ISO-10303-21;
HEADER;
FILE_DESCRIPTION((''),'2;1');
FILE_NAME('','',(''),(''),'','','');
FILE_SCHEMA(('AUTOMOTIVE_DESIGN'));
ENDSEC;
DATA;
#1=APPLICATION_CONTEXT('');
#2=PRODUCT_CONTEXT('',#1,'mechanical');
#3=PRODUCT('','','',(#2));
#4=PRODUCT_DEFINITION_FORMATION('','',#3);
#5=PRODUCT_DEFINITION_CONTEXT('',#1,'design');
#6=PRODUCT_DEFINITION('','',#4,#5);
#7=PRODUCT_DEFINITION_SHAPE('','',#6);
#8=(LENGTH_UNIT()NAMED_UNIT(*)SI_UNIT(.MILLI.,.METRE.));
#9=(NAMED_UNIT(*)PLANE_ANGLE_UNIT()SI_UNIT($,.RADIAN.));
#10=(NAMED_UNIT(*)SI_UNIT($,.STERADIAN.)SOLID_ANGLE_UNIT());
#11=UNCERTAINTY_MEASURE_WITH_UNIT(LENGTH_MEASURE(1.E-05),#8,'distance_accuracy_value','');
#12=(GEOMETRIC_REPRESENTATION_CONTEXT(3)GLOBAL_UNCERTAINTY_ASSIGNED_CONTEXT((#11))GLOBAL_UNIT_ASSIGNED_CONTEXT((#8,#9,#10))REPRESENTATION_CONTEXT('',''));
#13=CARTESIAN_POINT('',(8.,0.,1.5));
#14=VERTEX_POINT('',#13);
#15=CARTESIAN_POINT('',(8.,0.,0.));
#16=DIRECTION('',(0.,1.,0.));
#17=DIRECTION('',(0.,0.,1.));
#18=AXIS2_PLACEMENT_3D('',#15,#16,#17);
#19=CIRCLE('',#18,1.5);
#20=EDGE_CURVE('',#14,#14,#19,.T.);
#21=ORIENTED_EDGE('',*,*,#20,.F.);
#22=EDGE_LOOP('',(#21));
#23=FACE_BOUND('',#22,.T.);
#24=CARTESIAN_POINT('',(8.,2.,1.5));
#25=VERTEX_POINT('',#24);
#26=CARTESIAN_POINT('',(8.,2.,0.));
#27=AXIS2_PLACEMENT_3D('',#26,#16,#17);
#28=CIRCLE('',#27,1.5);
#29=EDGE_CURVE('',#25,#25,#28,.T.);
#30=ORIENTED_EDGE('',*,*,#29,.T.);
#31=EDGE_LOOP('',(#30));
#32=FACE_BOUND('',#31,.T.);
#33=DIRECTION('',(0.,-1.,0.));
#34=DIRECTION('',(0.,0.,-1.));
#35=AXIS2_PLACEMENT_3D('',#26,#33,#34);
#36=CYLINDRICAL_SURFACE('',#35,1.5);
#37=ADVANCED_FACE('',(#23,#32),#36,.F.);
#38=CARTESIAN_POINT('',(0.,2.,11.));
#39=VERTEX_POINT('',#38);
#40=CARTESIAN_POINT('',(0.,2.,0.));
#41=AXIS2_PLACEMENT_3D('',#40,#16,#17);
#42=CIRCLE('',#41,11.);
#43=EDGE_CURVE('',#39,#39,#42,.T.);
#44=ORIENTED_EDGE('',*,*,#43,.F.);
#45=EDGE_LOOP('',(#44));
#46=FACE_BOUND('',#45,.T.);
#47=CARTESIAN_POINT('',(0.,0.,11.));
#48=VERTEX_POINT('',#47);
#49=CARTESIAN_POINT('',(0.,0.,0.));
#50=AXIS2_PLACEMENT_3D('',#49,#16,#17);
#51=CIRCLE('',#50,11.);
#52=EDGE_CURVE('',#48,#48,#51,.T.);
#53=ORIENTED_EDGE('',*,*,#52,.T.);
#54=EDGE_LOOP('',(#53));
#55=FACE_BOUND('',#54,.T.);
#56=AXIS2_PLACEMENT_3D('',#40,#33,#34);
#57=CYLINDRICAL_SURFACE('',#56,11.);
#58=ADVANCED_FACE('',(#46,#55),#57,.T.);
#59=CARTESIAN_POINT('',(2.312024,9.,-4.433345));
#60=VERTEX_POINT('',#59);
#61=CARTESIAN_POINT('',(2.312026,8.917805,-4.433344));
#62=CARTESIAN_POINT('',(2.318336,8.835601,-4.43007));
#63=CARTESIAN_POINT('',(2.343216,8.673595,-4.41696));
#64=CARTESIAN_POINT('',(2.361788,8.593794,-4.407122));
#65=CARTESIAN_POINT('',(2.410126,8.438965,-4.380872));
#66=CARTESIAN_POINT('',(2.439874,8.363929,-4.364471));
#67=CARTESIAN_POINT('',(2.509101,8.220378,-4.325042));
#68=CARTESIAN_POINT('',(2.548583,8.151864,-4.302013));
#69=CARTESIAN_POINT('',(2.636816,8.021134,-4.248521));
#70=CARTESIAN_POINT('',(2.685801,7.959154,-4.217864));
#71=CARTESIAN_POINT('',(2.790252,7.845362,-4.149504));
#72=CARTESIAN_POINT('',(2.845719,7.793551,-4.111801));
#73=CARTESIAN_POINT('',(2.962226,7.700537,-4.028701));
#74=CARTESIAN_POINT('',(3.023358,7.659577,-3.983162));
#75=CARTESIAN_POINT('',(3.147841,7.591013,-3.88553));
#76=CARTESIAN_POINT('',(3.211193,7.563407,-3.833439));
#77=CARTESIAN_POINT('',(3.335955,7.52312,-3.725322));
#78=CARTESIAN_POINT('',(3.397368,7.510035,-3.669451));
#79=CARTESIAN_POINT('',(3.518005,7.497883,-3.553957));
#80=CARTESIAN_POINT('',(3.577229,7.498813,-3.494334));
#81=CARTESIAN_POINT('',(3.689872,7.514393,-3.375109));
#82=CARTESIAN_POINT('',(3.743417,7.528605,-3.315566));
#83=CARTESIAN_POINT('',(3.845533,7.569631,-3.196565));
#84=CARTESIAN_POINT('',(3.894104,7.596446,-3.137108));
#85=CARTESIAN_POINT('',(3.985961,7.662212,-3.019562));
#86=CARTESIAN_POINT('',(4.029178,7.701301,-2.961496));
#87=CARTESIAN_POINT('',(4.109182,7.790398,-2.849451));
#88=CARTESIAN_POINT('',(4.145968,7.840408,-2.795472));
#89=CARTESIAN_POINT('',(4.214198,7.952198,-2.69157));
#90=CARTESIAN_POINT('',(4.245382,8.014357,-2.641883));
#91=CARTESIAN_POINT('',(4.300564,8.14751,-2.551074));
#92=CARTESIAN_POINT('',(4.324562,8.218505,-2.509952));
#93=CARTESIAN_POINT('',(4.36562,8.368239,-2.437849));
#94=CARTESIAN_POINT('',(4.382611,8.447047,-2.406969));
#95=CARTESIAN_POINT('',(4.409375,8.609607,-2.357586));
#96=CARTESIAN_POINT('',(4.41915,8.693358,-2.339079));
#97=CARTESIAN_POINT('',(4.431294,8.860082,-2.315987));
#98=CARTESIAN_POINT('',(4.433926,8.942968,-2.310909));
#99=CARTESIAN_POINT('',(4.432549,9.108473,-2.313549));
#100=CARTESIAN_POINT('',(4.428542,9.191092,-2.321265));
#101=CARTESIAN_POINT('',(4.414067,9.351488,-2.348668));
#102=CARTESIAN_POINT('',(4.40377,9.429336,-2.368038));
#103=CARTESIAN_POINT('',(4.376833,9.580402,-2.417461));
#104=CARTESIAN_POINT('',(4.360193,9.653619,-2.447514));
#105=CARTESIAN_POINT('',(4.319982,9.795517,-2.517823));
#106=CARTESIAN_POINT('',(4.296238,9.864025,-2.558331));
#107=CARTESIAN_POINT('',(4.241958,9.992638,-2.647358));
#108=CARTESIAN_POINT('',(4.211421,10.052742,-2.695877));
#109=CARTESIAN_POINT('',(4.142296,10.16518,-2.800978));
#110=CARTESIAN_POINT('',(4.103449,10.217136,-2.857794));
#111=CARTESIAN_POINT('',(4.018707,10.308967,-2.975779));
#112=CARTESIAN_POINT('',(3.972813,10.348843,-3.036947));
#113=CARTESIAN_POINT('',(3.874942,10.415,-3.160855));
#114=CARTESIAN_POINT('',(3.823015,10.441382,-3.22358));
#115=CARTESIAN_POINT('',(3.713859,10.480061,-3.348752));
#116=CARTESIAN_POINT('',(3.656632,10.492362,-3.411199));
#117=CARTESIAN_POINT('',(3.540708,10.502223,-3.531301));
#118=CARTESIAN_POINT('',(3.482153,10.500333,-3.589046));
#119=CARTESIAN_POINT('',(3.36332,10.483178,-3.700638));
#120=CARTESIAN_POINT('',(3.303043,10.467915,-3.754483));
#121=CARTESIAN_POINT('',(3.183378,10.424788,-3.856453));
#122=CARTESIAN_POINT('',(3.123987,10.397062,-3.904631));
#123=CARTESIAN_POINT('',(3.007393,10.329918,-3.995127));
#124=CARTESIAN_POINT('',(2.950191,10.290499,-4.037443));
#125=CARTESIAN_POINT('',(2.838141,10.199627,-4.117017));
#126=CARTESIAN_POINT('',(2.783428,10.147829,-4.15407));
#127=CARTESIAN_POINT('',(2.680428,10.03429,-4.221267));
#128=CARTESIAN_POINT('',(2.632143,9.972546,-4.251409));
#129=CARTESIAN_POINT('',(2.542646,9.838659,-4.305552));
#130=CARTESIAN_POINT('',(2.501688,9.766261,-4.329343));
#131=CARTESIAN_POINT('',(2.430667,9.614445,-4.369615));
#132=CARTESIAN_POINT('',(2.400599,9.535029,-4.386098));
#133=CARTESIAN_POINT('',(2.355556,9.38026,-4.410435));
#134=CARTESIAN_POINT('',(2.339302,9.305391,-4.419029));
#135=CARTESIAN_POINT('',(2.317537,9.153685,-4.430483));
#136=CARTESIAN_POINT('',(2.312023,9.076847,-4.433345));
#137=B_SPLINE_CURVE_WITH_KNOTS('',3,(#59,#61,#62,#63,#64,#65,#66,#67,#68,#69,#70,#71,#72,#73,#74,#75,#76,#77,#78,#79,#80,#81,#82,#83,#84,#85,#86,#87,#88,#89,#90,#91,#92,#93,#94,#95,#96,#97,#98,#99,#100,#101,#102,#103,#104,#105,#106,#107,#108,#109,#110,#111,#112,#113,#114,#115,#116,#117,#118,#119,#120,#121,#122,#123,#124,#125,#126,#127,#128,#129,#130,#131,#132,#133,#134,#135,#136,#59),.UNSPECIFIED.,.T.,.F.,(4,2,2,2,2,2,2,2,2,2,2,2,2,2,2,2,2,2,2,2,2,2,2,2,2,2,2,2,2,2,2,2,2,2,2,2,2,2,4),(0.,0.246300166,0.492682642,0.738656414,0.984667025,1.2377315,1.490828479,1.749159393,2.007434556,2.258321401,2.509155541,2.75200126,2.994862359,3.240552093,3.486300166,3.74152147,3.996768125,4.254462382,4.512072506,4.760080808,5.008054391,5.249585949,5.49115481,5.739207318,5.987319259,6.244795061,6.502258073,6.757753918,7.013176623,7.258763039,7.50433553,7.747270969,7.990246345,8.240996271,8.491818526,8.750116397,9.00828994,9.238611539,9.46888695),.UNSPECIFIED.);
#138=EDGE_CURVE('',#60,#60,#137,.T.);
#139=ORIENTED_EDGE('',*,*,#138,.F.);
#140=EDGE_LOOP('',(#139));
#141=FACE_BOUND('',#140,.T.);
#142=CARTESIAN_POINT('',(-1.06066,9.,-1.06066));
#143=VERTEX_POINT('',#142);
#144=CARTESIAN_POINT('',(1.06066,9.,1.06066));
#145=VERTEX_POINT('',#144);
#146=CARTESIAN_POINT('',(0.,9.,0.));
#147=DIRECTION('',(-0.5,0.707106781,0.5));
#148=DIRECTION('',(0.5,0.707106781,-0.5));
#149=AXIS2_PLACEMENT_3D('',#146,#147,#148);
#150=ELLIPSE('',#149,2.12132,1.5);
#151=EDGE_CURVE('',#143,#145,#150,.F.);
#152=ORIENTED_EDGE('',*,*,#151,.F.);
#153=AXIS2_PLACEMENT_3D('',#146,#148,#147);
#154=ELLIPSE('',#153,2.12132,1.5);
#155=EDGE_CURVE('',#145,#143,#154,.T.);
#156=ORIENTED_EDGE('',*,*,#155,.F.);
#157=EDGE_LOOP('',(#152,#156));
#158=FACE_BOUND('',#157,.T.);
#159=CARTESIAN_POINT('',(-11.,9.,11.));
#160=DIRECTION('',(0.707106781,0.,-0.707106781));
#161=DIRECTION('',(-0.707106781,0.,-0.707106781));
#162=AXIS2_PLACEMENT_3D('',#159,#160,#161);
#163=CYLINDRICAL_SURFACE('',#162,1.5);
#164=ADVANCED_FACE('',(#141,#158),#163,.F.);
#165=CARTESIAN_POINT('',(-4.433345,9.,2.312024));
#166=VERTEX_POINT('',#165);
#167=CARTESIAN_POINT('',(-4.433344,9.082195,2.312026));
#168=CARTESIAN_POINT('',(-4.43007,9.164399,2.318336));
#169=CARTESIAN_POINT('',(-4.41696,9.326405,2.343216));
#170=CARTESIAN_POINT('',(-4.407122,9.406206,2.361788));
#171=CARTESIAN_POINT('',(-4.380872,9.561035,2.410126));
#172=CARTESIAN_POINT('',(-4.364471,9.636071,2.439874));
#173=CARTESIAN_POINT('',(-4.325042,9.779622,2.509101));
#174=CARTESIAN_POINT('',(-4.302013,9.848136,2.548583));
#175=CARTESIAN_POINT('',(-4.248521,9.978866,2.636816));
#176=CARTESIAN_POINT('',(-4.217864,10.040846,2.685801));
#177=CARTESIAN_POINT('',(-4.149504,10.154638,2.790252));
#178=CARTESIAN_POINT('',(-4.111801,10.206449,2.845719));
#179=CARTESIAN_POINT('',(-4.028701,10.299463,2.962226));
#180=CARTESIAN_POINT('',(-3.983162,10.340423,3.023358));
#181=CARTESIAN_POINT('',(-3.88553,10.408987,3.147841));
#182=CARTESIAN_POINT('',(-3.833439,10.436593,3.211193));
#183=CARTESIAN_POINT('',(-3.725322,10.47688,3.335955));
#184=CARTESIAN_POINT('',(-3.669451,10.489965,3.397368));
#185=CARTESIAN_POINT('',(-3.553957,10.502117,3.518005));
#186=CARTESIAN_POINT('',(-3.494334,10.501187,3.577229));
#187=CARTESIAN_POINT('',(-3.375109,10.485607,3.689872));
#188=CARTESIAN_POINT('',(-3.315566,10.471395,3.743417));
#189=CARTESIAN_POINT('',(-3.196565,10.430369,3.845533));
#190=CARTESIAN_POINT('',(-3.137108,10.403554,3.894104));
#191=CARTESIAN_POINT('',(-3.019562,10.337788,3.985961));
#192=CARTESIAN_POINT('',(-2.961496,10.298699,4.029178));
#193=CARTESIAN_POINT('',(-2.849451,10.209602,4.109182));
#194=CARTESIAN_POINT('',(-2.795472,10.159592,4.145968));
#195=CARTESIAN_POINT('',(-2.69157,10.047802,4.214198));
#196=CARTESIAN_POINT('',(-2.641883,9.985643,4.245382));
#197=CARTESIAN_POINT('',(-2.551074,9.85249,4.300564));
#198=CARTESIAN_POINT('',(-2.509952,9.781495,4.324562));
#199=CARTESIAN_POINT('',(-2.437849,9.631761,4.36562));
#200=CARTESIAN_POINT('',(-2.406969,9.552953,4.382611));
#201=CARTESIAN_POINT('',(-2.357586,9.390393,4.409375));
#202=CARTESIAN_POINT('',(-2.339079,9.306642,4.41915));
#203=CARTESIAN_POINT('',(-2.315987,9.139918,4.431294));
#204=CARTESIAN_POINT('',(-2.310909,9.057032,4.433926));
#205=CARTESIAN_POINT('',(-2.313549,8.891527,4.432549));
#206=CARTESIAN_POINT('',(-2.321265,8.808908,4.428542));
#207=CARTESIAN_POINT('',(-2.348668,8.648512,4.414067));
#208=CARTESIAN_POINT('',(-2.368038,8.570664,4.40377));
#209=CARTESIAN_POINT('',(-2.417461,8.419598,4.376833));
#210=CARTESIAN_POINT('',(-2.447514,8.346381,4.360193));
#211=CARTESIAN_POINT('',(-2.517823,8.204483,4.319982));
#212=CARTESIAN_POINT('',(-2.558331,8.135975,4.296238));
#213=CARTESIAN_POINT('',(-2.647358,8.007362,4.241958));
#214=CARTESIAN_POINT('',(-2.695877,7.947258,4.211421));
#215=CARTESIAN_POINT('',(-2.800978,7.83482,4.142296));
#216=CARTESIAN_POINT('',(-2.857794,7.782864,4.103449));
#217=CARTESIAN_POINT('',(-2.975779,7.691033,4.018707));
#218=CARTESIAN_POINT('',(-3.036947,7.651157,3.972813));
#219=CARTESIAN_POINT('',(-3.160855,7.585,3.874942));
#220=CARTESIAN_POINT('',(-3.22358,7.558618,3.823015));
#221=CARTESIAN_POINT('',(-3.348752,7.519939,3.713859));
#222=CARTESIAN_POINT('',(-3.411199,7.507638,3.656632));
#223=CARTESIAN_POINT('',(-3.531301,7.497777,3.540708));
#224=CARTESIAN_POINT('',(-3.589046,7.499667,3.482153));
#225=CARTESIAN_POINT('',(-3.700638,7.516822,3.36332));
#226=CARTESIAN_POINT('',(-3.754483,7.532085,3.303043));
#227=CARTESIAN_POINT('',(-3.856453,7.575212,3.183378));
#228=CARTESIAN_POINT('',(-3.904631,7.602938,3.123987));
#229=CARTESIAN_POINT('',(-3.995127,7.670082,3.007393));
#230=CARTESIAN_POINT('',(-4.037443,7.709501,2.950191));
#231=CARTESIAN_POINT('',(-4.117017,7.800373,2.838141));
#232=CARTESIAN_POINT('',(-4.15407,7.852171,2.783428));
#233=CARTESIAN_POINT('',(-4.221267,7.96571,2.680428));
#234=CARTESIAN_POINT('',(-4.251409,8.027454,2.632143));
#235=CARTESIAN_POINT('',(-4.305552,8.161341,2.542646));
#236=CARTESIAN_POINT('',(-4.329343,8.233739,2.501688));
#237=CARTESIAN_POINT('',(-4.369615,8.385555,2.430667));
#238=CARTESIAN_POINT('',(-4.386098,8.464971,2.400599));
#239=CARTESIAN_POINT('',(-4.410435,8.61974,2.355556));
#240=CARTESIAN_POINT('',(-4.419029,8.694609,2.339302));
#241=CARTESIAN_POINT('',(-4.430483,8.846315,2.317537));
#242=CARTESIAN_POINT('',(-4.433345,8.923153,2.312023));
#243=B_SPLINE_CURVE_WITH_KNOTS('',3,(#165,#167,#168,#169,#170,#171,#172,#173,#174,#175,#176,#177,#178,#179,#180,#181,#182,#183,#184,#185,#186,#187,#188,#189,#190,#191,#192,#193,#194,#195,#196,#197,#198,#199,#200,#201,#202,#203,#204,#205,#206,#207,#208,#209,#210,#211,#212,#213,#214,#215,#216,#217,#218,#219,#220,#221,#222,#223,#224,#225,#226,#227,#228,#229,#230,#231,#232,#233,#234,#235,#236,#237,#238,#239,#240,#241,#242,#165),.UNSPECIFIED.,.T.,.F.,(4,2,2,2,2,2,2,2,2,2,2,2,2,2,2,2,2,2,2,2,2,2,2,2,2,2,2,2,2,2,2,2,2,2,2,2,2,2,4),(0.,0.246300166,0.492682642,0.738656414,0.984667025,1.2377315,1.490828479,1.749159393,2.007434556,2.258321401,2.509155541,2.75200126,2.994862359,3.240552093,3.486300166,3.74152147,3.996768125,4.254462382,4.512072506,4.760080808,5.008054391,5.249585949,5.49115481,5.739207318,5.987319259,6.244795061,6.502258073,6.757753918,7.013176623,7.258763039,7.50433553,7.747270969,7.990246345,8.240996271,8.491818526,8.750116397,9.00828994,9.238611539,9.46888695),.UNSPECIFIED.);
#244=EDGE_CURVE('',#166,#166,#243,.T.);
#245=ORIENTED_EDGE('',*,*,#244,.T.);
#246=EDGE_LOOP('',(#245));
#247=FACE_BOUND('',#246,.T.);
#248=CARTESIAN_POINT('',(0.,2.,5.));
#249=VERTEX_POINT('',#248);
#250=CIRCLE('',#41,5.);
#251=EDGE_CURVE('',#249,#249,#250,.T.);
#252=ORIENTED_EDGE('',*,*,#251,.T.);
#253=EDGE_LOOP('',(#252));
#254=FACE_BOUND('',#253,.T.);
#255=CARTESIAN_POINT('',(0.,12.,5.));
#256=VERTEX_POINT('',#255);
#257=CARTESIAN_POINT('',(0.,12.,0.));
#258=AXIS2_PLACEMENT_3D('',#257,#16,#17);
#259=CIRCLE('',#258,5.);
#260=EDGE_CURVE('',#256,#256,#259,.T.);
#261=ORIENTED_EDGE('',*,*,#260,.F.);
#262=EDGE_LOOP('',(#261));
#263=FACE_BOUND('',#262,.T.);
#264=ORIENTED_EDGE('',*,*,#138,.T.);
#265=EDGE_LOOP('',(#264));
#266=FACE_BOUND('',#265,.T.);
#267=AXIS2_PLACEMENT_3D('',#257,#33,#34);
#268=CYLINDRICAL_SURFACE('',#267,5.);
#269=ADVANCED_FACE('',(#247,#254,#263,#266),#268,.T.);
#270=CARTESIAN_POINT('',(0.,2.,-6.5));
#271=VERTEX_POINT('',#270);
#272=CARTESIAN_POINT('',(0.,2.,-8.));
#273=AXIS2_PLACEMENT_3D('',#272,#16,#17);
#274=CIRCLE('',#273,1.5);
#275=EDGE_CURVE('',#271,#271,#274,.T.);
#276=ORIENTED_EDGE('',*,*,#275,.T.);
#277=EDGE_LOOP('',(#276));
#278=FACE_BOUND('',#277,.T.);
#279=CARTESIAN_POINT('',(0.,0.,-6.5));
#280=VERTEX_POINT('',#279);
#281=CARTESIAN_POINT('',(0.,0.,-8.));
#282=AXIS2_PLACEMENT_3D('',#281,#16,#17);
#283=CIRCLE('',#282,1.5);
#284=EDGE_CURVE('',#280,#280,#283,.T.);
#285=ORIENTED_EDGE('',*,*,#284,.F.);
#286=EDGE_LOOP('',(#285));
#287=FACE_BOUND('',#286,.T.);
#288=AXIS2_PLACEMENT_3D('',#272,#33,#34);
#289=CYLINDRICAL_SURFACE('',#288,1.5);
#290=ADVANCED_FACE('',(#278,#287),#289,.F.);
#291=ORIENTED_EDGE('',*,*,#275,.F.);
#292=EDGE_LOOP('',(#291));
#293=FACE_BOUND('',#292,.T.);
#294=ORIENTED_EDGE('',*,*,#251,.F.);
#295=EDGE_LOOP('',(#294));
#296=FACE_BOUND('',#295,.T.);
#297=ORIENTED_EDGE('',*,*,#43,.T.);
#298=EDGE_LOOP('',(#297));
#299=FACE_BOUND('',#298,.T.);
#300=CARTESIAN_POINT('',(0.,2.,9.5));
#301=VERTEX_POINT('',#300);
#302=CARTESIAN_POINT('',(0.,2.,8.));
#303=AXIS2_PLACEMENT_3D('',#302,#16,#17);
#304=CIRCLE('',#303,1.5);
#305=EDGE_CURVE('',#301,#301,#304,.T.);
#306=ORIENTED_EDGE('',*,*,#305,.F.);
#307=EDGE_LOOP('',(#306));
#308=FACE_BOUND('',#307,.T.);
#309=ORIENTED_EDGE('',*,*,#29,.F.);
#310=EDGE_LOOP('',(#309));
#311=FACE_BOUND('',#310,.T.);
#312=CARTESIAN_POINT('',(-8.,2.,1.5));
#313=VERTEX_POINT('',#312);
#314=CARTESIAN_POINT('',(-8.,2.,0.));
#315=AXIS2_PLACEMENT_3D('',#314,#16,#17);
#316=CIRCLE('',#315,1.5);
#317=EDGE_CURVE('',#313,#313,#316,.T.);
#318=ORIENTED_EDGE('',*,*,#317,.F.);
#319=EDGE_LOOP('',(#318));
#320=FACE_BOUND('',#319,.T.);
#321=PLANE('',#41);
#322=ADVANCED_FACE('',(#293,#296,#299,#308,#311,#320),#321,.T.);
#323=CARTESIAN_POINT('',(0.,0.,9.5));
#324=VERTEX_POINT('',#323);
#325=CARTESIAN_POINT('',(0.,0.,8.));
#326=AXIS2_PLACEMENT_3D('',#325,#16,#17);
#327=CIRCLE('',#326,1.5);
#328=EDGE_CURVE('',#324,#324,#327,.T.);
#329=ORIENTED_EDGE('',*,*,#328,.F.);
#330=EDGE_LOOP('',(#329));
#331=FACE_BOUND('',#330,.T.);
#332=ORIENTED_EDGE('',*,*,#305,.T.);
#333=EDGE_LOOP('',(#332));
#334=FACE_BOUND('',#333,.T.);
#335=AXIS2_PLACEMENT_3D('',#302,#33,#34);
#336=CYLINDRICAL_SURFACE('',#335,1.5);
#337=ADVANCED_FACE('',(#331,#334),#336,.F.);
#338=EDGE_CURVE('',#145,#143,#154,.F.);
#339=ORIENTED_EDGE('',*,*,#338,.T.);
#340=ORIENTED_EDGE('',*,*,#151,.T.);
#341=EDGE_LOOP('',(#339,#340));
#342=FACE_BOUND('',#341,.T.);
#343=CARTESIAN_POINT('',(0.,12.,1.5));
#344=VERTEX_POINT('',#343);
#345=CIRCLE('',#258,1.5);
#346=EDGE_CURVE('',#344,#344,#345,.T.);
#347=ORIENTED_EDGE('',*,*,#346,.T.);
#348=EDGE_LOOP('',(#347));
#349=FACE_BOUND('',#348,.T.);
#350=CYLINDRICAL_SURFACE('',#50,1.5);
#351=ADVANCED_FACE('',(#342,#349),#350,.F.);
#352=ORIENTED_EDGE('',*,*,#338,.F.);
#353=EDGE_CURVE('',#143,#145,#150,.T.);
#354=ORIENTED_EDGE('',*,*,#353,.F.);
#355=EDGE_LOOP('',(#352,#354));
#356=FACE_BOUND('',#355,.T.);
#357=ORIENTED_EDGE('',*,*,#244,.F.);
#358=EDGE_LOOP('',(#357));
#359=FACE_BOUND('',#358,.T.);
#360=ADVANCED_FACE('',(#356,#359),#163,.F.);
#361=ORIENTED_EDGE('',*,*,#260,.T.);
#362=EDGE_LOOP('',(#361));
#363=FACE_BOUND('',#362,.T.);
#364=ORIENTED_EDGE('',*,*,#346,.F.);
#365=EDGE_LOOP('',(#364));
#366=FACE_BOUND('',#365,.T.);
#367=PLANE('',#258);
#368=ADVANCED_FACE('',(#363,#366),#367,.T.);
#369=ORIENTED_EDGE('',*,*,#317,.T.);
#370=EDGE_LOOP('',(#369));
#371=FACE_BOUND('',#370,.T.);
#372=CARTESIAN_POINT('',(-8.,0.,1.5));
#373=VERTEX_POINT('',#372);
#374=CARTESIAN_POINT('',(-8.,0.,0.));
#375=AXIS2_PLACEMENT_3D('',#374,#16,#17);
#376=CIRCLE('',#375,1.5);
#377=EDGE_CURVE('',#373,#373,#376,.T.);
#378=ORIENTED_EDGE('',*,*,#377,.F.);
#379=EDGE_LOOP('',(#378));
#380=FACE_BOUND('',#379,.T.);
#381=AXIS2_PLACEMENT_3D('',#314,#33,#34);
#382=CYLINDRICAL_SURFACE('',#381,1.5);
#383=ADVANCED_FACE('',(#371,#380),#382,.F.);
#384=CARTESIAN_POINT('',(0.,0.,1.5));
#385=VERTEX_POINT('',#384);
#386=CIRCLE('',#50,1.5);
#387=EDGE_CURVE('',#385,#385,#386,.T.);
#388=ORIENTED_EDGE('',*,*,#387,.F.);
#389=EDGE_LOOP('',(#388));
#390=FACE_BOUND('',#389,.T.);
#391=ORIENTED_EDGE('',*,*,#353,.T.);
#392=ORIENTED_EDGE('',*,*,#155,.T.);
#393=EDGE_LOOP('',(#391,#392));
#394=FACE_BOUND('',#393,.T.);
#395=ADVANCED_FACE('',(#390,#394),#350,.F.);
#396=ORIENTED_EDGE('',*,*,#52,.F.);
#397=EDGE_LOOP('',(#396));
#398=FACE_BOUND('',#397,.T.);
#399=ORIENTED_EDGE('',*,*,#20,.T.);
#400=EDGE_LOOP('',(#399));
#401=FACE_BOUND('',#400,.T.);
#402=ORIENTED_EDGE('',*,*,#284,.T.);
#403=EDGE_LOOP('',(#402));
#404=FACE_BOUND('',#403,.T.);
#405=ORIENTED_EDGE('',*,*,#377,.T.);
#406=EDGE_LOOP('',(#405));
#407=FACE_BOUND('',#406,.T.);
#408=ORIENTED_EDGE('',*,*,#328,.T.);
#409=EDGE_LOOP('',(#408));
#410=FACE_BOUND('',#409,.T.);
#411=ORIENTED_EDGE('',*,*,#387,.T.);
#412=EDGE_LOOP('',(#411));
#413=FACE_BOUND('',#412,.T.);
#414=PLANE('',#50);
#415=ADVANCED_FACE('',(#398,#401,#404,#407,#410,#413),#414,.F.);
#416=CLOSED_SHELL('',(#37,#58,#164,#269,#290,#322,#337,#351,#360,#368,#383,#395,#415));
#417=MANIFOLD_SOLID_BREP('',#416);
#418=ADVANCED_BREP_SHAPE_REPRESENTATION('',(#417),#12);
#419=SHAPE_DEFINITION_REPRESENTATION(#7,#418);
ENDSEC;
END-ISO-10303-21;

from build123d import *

# Parameters (mm, degrees)
SKETCH_1_R               = 11
SKETCH_1_R_2             = 1.5
EXTRUDE_1_DEPTH          = 2
SKETCH_2_R               = 5
EXTRUDE_2_DEPTH          = 10
SKETCH_3_R               = 1.5
CUT_EXTRUDE_1_DEPTH      = 20.646882704
CUT_EXTRUDE_2_DEPTH      = 20.646882704
CUT_EXTRUDE_2_DEPTH_BACK = 20.646882704
SKETCH_5_R               = 1.5


with BuildPart() as part:
    # 草圖1 → 填料-伸長1 (new body)
    with BuildSketch(Plane(origin=(0, 0, 0), x_dir=(1, 0, 0), z_dir=(0, 1, 0))):
        with Locations(Location((0, 0, 0), (0, 0, 270))):
            Circle(SKETCH_1_R)
        with Locations(Location((0, 8, 0), (0, 0, 270))):
            Circle(SKETCH_1_R_2, mode=Mode.SUBTRACT)
        with Locations(Location((8, 0, 0), (0, 0, 270))):
            Circle(SKETCH_1_R_2, mode=Mode.SUBTRACT)
        with Locations(Location((0, -8, 0), (0, 0, 270))):
            Circle(SKETCH_1_R_2, mode=Mode.SUBTRACT)
        with Locations(Location((-8, 0, 0), (0, 0, 270))):
            Circle(SKETCH_1_R_2, mode=Mode.SUBTRACT)
    extrude(amount=EXTRUDE_1_DEPTH)

    # 草圖2 → 填料-伸長2 (add)
    with BuildSketch(Plane(origin=(0, 2, 0), x_dir=(1, 0, 0), z_dir=(0, 1, 0))):
        with Locations(Location((0, 0, 0), (0, 0, 270))):
            Circle(SKETCH_2_R)
    extrude(amount=EXTRUDE_2_DEPTH)

    # 草圖3 → 除料-伸長1 (cut, through all)
    with BuildSketch(Plane(origin=(0, 12, 0), x_dir=(1, 0, 0), z_dir=(0, 1, 0))):
        with Locations(Location((0, 0, 0), (0, 0, 270))):
            Circle(SKETCH_3_R)
    extrude(amount=-CUT_EXTRUDE_1_DEPTH, mode=Mode.SUBTRACT)

    # 草圖5 → 除料-伸長2 (cut, two sides: drawn at the far end of the back side and taken through both)
    with BuildSketch(Plane(origin=(0, 0, 0), x_dir=(-0.7071067811865476, 0, -0.7071067811865476), z_dir=(0.7071067811865476, 0, -0.7071067811865476)).offset(-CUT_EXTRUDE_2_DEPTH_BACK)):
        with Locations((0, 9)):
            Circle(SKETCH_5_R)
    extrude(amount=CUT_EXTRUDE_2_DEPTH + CUT_EXTRUDE_2_DEPTH_BACK, mode=Mode.SUBTRACT)


solid = part.part
